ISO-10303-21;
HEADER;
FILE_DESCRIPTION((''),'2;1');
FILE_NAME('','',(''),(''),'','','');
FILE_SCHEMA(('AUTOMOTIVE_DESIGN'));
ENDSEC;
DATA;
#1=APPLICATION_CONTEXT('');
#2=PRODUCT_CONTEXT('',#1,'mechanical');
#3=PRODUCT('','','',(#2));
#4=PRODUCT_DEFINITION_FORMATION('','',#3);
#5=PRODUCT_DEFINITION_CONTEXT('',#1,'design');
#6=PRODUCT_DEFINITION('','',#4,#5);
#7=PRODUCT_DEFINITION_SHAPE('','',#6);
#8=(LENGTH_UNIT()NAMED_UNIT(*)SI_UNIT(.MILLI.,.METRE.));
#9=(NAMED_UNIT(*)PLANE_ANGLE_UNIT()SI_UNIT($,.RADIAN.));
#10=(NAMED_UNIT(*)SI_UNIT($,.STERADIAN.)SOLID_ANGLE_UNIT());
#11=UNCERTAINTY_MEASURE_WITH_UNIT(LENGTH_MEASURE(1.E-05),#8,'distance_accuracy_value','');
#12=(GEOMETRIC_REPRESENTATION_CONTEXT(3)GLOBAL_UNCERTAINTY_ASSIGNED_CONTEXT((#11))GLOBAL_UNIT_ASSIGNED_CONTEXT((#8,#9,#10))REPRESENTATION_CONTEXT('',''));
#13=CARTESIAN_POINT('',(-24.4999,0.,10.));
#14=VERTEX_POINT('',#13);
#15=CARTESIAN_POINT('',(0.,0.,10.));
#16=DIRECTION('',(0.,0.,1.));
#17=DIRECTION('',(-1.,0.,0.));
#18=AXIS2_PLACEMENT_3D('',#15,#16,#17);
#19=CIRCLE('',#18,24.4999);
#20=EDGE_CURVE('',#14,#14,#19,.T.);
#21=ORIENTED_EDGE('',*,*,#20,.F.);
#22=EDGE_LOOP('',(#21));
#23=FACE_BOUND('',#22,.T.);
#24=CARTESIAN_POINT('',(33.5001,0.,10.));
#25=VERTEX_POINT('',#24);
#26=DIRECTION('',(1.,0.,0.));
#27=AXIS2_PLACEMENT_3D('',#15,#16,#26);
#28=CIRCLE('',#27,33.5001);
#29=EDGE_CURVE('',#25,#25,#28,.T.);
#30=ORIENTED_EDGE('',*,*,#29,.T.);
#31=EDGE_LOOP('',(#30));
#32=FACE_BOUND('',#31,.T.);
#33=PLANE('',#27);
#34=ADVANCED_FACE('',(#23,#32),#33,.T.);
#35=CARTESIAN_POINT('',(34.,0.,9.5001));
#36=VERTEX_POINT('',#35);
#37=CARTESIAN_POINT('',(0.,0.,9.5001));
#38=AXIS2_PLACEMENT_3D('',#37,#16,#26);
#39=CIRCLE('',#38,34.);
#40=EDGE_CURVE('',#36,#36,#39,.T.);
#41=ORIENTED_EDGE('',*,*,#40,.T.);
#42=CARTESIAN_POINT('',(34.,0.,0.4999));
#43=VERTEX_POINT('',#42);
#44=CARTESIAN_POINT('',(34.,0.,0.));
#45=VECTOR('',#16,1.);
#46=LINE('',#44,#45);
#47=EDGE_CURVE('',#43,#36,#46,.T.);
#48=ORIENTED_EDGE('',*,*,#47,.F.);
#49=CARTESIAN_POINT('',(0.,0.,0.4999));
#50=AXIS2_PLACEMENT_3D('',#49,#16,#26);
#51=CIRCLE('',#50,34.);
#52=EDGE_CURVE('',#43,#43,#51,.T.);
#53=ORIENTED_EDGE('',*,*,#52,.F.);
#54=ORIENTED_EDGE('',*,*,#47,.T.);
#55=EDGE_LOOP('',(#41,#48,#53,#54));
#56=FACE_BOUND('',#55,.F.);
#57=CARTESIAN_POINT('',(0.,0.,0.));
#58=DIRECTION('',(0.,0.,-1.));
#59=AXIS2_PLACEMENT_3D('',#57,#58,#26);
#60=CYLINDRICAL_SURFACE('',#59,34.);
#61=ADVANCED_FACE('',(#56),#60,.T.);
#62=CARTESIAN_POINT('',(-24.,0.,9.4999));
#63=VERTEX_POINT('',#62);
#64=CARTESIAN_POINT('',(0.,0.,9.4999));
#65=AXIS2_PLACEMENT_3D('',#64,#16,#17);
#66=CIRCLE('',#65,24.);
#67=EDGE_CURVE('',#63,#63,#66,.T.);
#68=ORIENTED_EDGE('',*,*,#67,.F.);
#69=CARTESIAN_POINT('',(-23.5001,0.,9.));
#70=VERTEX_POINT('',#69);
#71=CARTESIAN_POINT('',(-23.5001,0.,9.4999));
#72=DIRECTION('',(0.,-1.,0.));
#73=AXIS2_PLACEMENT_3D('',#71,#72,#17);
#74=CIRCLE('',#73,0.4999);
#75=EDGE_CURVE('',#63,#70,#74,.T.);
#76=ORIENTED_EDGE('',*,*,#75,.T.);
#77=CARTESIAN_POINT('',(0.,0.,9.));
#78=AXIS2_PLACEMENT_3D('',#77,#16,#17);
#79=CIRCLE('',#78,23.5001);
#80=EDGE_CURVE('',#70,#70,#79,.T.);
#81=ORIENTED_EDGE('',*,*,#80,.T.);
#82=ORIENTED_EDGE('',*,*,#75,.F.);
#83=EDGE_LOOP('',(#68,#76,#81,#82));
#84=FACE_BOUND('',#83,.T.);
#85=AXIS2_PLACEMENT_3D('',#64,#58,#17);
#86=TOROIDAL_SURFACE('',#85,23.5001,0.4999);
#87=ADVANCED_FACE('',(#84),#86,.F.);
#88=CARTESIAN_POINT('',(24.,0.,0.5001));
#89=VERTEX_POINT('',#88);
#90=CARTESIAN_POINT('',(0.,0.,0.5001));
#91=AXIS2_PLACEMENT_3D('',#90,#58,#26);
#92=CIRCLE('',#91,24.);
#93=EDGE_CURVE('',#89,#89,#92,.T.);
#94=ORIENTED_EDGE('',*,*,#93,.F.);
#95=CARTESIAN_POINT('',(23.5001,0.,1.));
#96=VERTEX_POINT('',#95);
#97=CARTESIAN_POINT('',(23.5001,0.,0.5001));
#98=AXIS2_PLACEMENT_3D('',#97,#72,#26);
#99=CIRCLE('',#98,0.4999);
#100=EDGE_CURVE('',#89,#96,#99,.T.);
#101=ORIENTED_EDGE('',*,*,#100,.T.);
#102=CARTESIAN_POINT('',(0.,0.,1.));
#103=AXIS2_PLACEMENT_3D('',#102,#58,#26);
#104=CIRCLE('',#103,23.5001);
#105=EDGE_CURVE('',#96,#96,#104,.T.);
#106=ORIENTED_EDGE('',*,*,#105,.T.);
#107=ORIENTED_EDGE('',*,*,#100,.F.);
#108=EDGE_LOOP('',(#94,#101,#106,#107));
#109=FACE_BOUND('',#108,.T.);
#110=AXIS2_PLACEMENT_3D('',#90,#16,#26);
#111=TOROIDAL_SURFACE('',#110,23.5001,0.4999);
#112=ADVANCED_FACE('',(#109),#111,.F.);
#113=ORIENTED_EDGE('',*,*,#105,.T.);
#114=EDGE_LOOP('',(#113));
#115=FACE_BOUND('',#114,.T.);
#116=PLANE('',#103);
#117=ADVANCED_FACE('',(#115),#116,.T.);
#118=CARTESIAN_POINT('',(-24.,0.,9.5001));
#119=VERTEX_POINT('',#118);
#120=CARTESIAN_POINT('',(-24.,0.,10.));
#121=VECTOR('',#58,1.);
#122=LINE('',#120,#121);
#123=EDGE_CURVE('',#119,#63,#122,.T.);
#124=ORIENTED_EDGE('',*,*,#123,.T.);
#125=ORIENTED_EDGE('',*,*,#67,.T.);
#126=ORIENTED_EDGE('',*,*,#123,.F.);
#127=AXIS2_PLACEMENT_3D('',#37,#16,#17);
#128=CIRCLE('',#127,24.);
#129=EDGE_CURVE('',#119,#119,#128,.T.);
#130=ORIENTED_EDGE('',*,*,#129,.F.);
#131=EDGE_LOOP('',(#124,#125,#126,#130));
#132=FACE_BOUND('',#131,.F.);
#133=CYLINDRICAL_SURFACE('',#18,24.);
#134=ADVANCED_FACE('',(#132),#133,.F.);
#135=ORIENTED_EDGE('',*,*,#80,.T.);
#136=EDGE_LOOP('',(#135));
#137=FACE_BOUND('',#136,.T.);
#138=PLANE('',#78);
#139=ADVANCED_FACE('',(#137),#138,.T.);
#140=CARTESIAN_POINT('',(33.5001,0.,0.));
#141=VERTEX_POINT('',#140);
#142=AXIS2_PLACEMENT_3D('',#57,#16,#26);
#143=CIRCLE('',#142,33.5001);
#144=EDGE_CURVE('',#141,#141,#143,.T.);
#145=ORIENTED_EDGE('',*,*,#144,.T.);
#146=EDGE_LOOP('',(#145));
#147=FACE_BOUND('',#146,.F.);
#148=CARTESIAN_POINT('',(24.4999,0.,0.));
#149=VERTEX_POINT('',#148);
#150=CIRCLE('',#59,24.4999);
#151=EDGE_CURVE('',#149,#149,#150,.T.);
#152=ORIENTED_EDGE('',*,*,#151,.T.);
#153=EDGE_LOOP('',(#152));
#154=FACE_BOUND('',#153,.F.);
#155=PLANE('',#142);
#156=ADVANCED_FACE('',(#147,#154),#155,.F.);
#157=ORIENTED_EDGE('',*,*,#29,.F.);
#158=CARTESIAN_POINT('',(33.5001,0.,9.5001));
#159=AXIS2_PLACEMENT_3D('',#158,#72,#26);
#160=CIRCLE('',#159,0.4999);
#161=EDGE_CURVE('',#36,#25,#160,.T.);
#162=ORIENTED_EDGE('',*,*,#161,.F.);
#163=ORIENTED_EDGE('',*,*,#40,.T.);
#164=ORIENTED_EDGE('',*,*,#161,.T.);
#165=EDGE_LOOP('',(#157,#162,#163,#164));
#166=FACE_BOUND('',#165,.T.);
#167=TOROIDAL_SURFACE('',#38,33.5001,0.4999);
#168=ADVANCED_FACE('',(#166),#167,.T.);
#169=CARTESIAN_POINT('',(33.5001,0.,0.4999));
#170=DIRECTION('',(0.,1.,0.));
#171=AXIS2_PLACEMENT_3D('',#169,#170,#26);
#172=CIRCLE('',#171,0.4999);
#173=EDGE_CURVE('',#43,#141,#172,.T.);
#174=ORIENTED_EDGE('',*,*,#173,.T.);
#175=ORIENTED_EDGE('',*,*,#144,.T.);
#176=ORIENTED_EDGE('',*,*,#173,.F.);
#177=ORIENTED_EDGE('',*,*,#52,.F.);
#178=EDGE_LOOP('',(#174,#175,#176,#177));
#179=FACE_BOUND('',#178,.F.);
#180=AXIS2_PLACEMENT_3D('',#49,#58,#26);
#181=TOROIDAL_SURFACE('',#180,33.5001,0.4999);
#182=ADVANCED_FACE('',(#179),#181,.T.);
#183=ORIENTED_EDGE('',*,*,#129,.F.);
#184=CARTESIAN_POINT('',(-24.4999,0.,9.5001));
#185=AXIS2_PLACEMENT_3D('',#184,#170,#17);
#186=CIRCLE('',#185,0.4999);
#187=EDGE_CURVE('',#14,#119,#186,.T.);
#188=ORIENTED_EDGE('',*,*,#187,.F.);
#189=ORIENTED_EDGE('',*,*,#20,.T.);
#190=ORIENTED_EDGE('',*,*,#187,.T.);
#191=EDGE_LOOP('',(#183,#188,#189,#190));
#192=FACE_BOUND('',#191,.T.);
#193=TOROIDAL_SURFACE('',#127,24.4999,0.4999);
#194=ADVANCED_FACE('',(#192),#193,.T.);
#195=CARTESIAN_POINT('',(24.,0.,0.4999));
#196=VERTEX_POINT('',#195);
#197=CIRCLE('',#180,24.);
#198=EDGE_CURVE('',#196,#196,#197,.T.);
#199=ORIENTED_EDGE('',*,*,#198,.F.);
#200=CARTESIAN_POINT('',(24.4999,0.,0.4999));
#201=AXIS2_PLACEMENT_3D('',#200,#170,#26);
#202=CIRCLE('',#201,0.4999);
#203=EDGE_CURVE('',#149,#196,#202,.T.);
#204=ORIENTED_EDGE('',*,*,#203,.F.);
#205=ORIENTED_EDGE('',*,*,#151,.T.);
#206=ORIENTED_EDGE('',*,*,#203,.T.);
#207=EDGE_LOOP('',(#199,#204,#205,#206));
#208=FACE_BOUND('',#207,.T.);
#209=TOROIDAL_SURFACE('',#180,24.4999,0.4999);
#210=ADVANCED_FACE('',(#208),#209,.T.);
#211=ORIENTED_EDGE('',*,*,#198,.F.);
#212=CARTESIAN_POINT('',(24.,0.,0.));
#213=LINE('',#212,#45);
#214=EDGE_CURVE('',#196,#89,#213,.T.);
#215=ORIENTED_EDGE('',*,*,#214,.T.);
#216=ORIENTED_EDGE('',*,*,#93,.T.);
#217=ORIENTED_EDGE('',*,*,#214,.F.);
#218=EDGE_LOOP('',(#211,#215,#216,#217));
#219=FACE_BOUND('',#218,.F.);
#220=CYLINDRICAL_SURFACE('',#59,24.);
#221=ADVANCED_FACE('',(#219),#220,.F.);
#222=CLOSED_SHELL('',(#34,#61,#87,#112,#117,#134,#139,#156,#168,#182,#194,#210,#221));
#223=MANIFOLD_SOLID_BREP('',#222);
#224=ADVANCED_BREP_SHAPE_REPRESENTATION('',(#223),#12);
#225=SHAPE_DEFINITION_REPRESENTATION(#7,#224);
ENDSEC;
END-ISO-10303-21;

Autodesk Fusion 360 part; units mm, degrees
sketch "Skizze1" plane through (0, 0, 0) normal (0, 0, 1) x (1, 0, 0)
  circle A0 centre (0, 0) radius 34
  dimension "d1" = 68
extrude "Extrusion1" add sketch "Skizze1" along normal blind 10
sketch "Skizze2" plane through (0, 0, 10) normal (0, 0, 1) x (-1, 0, 0)
  circle A0 centre (0, 0) radius 34
  circle A1 centre (0, 0) radius 24
  dimension "d4" = 48
extrude "Extrusion2" cut sketch "Skizze2" against normal blind 1 contours A1
sketch "Skizze3" plane through (0, 0, 0) normal (0, 0, -1) x (1, 0, 0)
  circle A0 centre (0, 0) radius 34
  circle A1 centre (0, 0) radius 24
  dimension "d7" = 48
extrude "Extrusion3" cut sketch "Skizze3" against normal blind 1 contours A1
fillet "Abrundung1" radius 0.5 6 edges at (22.3759, -8.6788, 9) (-31.6991, -12.2949, 10) (-31.6991, -12.2949, 0) (-22.3759, -8.6788, 0) (-22.3759, -8.6788, 1) (22.3759, -8.6788, 10)
